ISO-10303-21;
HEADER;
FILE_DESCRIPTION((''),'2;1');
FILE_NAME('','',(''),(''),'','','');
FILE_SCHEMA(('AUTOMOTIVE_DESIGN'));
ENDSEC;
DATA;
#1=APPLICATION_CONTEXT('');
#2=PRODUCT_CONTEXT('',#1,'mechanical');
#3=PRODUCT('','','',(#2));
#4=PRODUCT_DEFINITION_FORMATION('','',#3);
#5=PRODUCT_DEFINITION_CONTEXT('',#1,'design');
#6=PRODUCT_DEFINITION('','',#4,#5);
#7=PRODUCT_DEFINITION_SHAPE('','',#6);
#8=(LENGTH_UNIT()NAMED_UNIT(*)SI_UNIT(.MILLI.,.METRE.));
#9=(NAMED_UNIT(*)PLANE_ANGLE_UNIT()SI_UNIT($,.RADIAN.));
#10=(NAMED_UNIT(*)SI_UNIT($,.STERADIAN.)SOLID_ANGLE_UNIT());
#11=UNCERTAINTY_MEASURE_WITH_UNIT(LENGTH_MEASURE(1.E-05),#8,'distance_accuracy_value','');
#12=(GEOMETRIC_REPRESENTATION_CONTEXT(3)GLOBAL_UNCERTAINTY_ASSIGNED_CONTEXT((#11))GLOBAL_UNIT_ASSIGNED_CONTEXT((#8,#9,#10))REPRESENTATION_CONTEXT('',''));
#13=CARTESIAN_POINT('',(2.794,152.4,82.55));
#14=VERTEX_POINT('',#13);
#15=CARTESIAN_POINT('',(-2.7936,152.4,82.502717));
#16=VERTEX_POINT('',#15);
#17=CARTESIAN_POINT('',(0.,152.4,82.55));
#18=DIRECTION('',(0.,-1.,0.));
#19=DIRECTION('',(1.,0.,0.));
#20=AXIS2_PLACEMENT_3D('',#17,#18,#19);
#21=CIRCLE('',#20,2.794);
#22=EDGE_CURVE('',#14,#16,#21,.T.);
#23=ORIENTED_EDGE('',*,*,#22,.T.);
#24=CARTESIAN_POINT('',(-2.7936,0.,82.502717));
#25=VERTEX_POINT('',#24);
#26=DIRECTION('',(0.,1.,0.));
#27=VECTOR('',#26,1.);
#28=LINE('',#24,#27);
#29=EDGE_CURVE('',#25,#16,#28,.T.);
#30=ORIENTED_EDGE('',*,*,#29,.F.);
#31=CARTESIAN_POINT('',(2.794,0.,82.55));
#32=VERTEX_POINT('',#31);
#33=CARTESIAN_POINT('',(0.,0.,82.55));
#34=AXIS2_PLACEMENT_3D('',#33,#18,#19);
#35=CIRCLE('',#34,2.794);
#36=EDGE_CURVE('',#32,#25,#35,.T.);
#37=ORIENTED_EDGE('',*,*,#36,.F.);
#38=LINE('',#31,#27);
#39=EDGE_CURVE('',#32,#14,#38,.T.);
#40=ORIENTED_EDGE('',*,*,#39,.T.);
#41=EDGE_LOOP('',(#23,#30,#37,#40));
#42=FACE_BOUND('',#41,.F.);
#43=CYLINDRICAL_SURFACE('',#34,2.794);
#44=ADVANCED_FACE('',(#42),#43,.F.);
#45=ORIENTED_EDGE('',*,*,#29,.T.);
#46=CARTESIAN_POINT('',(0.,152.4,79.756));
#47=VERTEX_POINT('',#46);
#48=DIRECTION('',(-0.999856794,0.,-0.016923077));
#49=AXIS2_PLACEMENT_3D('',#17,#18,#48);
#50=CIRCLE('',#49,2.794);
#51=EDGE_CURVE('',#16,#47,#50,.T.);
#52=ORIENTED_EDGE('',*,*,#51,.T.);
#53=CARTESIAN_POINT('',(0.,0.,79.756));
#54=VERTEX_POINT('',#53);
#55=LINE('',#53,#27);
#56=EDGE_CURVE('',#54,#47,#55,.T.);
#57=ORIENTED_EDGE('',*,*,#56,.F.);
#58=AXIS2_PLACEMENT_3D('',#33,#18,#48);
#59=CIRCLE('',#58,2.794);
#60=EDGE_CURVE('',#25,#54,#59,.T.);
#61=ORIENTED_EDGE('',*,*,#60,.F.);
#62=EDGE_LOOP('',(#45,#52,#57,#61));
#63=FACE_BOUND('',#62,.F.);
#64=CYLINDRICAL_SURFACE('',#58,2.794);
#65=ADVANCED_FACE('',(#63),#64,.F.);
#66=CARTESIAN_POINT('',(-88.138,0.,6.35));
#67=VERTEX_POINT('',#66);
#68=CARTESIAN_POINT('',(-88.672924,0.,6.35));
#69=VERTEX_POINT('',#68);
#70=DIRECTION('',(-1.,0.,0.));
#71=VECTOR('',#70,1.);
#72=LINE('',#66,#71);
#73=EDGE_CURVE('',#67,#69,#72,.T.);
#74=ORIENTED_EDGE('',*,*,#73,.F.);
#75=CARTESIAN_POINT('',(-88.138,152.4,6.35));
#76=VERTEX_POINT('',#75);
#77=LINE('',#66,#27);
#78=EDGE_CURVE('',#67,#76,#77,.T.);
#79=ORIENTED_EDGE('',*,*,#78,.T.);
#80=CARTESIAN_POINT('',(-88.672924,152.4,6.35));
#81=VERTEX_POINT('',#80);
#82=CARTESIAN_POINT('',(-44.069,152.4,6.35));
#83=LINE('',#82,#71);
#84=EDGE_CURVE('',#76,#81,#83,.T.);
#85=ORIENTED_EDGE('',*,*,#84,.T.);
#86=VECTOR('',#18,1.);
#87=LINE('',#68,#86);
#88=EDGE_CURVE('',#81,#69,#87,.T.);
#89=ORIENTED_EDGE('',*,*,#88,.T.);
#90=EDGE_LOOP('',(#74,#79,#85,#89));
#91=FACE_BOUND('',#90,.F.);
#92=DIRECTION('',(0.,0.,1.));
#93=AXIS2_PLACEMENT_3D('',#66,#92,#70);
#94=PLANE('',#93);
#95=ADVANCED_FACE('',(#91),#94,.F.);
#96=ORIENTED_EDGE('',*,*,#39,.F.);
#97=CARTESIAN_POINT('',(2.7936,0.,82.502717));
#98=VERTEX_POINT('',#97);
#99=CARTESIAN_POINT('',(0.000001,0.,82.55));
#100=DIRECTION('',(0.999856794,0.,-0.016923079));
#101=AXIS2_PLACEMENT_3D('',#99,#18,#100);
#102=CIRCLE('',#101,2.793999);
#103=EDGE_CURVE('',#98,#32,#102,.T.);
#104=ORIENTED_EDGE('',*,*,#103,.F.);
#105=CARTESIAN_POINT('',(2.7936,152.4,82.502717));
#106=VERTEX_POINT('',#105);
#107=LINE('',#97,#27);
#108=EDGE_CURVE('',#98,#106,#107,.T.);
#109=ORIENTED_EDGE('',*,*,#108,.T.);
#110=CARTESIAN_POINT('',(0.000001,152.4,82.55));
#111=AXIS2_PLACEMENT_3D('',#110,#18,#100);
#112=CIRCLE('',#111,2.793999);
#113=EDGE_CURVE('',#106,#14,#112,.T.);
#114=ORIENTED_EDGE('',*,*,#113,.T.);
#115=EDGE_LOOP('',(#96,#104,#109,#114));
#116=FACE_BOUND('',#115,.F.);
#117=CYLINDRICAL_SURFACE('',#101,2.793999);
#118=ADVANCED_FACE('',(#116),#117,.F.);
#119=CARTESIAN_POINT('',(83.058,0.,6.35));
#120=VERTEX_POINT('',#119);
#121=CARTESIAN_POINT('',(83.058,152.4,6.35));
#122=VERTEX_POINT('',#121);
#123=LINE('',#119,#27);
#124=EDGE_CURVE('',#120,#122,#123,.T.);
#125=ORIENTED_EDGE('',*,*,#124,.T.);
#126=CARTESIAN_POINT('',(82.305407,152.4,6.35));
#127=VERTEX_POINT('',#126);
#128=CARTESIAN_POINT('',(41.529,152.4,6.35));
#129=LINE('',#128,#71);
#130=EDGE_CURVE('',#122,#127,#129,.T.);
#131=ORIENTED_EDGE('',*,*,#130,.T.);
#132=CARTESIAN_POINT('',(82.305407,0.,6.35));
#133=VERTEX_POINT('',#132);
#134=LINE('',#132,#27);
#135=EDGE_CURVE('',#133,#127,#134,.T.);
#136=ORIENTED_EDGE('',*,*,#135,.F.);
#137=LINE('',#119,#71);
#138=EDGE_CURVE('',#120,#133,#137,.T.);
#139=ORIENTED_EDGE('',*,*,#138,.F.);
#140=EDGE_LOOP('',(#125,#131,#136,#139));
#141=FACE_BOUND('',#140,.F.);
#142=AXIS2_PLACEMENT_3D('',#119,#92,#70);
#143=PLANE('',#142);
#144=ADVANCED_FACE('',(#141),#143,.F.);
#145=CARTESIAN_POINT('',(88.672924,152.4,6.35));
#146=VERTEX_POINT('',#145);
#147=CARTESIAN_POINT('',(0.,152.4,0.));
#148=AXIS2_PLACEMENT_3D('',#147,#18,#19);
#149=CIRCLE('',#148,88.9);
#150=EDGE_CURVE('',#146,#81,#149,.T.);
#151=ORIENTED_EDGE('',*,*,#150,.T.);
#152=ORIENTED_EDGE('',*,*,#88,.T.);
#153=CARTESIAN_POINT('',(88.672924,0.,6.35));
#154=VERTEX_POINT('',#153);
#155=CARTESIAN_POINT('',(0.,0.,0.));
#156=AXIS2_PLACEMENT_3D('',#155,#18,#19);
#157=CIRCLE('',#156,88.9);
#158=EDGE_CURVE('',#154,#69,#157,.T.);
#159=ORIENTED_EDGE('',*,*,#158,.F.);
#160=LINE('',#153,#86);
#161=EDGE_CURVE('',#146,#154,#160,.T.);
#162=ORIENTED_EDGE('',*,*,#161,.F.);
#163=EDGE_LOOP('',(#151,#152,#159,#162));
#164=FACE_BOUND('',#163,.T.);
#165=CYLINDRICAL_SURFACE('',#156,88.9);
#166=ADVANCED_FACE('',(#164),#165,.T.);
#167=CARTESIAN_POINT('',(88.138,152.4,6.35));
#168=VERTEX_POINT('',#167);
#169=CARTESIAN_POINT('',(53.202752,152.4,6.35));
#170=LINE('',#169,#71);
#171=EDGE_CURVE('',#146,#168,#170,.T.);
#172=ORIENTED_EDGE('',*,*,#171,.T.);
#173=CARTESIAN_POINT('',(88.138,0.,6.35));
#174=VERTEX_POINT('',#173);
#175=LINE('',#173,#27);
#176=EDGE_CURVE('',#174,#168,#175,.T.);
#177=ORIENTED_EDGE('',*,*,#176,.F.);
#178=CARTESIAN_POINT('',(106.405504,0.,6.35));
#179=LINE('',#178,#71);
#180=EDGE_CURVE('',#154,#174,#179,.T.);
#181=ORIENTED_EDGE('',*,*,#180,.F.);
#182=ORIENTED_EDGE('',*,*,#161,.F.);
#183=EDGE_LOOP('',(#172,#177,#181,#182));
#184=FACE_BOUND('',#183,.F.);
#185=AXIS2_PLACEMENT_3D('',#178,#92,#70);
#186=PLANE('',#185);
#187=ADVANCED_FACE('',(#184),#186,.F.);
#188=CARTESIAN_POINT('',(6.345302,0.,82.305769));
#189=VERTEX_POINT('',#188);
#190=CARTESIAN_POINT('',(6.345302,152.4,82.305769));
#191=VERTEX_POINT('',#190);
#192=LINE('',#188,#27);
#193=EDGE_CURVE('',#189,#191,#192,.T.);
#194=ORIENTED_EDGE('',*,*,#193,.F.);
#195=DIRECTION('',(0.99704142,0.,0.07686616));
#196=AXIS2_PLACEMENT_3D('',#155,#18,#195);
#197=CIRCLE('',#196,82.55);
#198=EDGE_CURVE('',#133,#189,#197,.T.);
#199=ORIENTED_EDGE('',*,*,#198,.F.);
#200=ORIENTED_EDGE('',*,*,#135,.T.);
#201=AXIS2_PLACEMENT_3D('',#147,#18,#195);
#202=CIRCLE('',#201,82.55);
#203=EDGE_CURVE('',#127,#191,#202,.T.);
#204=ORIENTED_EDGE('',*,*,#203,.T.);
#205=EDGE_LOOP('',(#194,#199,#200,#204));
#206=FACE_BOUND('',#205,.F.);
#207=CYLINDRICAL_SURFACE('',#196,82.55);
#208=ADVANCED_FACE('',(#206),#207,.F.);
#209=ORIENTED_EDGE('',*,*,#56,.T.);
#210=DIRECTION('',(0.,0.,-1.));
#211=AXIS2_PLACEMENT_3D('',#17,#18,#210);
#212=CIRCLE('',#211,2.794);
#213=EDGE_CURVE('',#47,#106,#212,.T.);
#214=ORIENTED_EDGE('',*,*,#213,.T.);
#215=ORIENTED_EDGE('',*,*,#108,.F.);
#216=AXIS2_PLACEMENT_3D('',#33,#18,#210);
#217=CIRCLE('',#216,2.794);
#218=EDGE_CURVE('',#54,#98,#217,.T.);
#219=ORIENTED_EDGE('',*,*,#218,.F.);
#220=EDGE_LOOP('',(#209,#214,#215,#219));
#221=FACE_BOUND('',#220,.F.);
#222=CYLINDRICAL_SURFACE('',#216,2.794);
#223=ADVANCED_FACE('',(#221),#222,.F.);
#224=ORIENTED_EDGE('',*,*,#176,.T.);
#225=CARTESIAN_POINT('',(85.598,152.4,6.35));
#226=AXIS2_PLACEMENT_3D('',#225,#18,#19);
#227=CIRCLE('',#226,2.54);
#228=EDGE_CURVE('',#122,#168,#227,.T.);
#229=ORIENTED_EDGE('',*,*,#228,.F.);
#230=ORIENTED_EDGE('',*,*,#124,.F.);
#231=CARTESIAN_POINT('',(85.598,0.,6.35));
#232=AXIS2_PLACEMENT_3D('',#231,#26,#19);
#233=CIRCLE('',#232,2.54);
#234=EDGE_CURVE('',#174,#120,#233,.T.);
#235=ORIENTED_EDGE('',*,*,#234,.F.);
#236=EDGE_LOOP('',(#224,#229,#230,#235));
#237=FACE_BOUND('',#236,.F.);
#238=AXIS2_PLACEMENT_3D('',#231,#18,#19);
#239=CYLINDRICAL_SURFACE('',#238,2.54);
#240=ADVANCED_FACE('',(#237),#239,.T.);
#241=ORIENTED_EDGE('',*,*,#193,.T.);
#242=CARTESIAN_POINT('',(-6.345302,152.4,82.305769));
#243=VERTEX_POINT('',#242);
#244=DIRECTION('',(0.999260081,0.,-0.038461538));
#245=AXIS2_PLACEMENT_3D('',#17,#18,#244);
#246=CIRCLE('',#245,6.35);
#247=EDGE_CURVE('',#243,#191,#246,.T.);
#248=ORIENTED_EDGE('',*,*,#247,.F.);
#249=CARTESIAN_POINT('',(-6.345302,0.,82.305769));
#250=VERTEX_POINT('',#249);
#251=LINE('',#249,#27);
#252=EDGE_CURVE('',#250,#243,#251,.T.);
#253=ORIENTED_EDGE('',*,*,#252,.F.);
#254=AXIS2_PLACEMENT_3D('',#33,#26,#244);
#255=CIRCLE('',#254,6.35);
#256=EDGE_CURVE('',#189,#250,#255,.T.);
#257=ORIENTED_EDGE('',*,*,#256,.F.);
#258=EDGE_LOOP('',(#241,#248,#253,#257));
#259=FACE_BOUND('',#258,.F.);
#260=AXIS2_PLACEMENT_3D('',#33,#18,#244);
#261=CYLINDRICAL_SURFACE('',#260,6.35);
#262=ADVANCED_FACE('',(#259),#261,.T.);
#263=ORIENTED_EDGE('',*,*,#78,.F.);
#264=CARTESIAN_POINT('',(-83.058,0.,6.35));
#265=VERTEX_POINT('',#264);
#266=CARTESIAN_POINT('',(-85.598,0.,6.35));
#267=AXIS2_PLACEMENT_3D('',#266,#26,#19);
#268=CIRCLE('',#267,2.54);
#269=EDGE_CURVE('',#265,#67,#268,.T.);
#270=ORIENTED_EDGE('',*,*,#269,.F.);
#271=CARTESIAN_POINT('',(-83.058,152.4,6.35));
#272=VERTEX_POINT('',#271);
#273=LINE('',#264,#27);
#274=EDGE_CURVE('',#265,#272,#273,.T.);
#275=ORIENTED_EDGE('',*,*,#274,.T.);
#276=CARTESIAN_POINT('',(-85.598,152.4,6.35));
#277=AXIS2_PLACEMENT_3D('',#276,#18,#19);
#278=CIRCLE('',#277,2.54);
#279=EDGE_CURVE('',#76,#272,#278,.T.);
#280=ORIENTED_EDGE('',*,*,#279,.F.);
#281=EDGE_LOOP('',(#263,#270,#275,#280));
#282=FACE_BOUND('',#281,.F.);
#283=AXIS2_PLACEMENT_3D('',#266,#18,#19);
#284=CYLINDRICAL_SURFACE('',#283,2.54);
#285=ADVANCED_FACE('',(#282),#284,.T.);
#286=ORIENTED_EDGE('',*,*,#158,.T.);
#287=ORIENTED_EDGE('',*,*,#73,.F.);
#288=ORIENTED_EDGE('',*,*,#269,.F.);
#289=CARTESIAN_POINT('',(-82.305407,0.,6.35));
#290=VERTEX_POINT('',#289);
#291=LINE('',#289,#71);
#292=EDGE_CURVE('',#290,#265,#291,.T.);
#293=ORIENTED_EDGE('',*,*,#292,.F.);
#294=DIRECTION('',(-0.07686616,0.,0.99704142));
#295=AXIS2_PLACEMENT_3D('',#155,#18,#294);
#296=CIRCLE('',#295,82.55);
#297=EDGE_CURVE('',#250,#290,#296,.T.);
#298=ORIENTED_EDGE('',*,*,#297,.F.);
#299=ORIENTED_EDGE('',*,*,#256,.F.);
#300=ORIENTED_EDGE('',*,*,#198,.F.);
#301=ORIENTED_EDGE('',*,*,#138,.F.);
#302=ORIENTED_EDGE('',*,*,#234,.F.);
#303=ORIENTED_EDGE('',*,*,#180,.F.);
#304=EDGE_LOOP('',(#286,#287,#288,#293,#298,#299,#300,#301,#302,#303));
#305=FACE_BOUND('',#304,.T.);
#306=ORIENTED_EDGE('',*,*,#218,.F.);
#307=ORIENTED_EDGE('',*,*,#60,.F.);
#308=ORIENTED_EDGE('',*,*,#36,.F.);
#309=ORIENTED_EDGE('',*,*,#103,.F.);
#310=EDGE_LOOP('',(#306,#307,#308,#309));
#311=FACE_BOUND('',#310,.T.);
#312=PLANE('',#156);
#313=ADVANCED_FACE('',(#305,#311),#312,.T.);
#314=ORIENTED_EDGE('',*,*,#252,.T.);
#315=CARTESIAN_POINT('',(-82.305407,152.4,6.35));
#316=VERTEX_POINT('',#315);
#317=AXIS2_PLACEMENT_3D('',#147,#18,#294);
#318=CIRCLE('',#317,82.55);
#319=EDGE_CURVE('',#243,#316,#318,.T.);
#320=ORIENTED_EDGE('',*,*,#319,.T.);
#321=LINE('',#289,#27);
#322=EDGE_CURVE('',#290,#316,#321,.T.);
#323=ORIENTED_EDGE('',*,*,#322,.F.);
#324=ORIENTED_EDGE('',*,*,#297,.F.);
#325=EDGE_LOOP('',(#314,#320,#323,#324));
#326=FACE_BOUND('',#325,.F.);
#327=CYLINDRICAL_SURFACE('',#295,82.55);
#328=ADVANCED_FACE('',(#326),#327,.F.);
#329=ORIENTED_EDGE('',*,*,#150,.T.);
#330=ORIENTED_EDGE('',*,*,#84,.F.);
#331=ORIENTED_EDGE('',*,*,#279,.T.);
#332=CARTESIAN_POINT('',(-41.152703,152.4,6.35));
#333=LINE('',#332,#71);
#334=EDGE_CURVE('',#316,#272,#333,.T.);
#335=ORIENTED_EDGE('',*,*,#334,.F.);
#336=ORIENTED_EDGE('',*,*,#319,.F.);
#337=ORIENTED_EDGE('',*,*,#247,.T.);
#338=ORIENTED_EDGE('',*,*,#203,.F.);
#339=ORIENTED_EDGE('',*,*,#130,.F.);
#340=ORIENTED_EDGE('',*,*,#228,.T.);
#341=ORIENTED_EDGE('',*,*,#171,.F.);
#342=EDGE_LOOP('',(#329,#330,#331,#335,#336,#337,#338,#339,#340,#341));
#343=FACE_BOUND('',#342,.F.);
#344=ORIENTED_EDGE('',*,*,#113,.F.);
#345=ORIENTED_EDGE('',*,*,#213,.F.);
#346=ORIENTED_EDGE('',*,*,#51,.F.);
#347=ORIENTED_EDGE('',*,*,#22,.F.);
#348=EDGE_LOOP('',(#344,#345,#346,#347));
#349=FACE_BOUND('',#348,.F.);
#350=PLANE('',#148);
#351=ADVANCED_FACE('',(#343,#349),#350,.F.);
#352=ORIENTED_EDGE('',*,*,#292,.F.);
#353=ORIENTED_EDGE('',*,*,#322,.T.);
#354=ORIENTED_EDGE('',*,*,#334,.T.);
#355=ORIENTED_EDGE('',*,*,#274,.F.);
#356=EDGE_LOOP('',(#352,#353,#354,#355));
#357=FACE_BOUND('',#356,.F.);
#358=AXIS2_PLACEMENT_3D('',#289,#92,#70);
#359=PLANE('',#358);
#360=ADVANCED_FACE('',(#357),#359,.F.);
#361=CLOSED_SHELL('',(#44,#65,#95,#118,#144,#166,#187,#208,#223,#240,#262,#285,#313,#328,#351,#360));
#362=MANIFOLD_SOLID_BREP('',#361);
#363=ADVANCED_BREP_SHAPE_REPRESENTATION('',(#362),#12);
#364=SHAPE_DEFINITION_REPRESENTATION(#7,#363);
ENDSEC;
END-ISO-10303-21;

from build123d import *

# Parameters (mm, degrees)
F0_R     = 88.9
F1_DEPTH = 152.4
F4_DEPTH = 152.401
F5_DEPTH = 152.401
F7_DEPTH = 152.401


with BuildPart() as f1:
    # F0 (on Front) → F1 (new body)
    with BuildSketch(Plane.XZ):
        Circle(F0_R)
    extrude(amount=-F1_DEPTH)

    # F3 (on face) → F4 (cut, through all)
    with BuildSketch(Plane.XZ):
        with BuildLine():
            ThreePointArc((6.3453015162, 82.3057692308), (0, 76.2), (-6.3453015162, 82.3057692308))
            ThreePointArc((-6.3453015162, 82.3057692308), (-58.3716647869, 58.3716647869), (-82.3057692308, 6.3453015162))
            ThreePointArc((-82.3057692308, 6.3453015162), (-77.974338005, 4.4029328075), (-76.2, 0))
            ThreePointArc((-76.2, 0), (-77.974338005, -4.4029328075), (-82.3057692308, -6.3453015162))
            ThreePointArc((-82.3057692308, -6.3453015162), (-58.3716647869, -58.3716647869), (-6.3453015162, -82.3057692308))
            ThreePointArc((-6.3453015162, -82.3057692308), (0, -76.2), (6.3453015162, -82.3057692308))
            ThreePointArc((6.3453015162, -82.3057692308), (58.3716647869, -58.3716647869), (82.3057692308, -6.3453015162))
            ThreePointArc((82.3057692308, -6.3453015162), (76.2, 0), (82.3057692308, 6.3453015162))
            ThreePointArc((82.3057692308, 6.3453015162), (58.3716647869, 58.3716647869), (6.3453015162, 82.3057692308))
        make_face()
    extrude(amount=-F4_DEPTH, mode=Mode.SUBTRACT)

    # F2 (on face) → F5 (cut, through all)
    with BuildSketch(Plane.XZ):
        with BuildLine():
            ThreePointArc((-2.7935998838, 82.5027169231), (-1.9588679235, 80.5576966952), (0, 79.756))
            ThreePointArc((0, 79.756), (1.9588679235, 80.5576966952), (2.7935998838, 82.5027169231))
            ThreePointArc((2.7935998838, 82.5027169231), (2.7938999692, 82.5263576151), (2.794, 82.55))
            ThreePointArc((2.794, 82.55), (-0.0236423849, 85.3438999692), (-2.7935998838, 82.5027169231))
        make_face()
        with BuildLine():
            ThreePointArc((-82.5027169231, 2.7935998838), (-85.344, 0), (-82.5027169231, -2.7935998838))
            ThreePointArc((-82.5027169231, -2.7935998838), (-80.5576966952, -1.9588679235), (-79.756, 0))
            ThreePointArc((-79.756, 0), (-80.5576966952, 1.9588679235), (-82.5027169231, 2.7935998838))
        make_face()
        with BuildLine():
            ThreePointArc((79.756, 0), (80.5576966952, -1.9588679235), (82.5027169231, -2.7935998838))
            ThreePointArc((82.5027169231, -2.7935998838), (84.5088679235, -1.9923033048), (85.344, 0))
            ThreePointArc((85.344, 0), (84.5088679235, 1.9923033048), (82.5027169231, 2.7935998838))
            ThreePointArc((82.5027169231, 2.7935998838), (80.5576966952, 1.9588679235), (79.756, 0))
        make_face()
        with BuildLine():
            ThreePointArc((2.794, -82.55), (2.7938999692, -82.5263576151), (2.7935998838, -82.5027169231))
            ThreePointArc((2.7935998838, -82.5027169231), (1.9588679235, -80.5576966952), (0, -79.756))
            ThreePointArc((0, -79.756), (-1.9588679235, -80.5576966952), (-2.7935998838, -82.5027169231))
            ThreePointArc((-2.7935998838, -82.5027169231), (-0.0236423849, -85.3438999692), (2.794, -82.55))
        make_face()
    extrude(amount=-F5_DEPTH, mode=Mode.SUBTRACT)

    # F6 (on face) → F7 (cut, through all)
    with BuildSketch(Plane.XZ):
        with BuildLine():
            Line((82.55, 0), (76.2, 0))
            ThreePointArc((76.2, 0), (77.974338005, -4.4029328075), (82.3057692308, -6.3453015162))
            ThreePointArc((82.3057692308, -6.3453015162), (58.3716647869, -58.3716647869), (6.3453015162, -82.3057692308))
            ThreePointArc((6.3453015162, -82.3057692308), (0, -76.2), (-6.3453015162, -82.3057692308))
            ThreePointArc((-6.3453015162, -82.3057692308), (-58.3716647869, -58.3716647869), (-82.3057692308, -6.3453015162))
            ThreePointArc((-82.3057692308, -6.3453015162), (-77.974338005, -4.4029328075), (-76.2, 0))
            Line((-76.2, 0), (-88.9, 0))
            Line((-88.9, 0), (-104.8936669013, -139.8783236514))
            Line((-104.8936669013, -139.8783236514), (114.9751045783, -122.2419444763))
            Line((114.9751045783, -122.2419444763), (88.9, 0))
            Line((88.9, 0), (82.55, 0))
        make_face()
        Polygon((88.9, 6.35), (88.9, 0), (114.9751045783, -122.2419444763), (179.3332546949, -117.0795708895), (106.4055040479, 6.35), align=None)
        with BuildLine():
            ThreePointArc((82.3057692308, 6.3453015162), (77.974338005, 4.4029328075), (76.2, 0))
            Line((76.2, 0), (82.55, 0))
            Line((82.55, 0), (88.9, 0))
            Line((88.9, 0), (88.9, 6.35))
            Line((88.9, 6.35), (88.138, 6.35))
            ThreePointArc((88.138, 6.35), (85.598, 3.81), (83.058, 6.35))
            Line((83.058, 6.35), (82.55, 6.35))
            Line((82.55, 6.35), (82.3054068698, 6.35))
            ThreePointArc((82.3054068698, 6.35), (82.3055880838, 6.3476507607), (82.3057692308, 6.3453015162))
        make_face()
        with BuildLine():
            Line((-88.9, 0), (-76.2, 0))
            ThreePointArc((-76.2, 0), (-77.974338005, 4.4029328075), (-82.3057692308, 6.3453015162))
            ThreePointArc((-82.3057692308, 6.3453015162), (-82.3055880838, 6.3476507607), (-82.3054068698, 6.35))
            Line((-82.3054068698, 6.35), (-82.55, 6.35))
            Line((-82.55, 6.35), (-83.058, 6.35))
            ThreePointArc((-83.058, 6.35), (-85.598, 3.81), (-88.138, 6.35))
            Line((-88.138, 6.35), (-88.9, 6.35))
            Line((-88.9, 6.35), (-88.9, 0))
        make_face()
    extrude(amount=-F7_DEPTH, mode=Mode.SUBTRACT)


solid = f1.part
